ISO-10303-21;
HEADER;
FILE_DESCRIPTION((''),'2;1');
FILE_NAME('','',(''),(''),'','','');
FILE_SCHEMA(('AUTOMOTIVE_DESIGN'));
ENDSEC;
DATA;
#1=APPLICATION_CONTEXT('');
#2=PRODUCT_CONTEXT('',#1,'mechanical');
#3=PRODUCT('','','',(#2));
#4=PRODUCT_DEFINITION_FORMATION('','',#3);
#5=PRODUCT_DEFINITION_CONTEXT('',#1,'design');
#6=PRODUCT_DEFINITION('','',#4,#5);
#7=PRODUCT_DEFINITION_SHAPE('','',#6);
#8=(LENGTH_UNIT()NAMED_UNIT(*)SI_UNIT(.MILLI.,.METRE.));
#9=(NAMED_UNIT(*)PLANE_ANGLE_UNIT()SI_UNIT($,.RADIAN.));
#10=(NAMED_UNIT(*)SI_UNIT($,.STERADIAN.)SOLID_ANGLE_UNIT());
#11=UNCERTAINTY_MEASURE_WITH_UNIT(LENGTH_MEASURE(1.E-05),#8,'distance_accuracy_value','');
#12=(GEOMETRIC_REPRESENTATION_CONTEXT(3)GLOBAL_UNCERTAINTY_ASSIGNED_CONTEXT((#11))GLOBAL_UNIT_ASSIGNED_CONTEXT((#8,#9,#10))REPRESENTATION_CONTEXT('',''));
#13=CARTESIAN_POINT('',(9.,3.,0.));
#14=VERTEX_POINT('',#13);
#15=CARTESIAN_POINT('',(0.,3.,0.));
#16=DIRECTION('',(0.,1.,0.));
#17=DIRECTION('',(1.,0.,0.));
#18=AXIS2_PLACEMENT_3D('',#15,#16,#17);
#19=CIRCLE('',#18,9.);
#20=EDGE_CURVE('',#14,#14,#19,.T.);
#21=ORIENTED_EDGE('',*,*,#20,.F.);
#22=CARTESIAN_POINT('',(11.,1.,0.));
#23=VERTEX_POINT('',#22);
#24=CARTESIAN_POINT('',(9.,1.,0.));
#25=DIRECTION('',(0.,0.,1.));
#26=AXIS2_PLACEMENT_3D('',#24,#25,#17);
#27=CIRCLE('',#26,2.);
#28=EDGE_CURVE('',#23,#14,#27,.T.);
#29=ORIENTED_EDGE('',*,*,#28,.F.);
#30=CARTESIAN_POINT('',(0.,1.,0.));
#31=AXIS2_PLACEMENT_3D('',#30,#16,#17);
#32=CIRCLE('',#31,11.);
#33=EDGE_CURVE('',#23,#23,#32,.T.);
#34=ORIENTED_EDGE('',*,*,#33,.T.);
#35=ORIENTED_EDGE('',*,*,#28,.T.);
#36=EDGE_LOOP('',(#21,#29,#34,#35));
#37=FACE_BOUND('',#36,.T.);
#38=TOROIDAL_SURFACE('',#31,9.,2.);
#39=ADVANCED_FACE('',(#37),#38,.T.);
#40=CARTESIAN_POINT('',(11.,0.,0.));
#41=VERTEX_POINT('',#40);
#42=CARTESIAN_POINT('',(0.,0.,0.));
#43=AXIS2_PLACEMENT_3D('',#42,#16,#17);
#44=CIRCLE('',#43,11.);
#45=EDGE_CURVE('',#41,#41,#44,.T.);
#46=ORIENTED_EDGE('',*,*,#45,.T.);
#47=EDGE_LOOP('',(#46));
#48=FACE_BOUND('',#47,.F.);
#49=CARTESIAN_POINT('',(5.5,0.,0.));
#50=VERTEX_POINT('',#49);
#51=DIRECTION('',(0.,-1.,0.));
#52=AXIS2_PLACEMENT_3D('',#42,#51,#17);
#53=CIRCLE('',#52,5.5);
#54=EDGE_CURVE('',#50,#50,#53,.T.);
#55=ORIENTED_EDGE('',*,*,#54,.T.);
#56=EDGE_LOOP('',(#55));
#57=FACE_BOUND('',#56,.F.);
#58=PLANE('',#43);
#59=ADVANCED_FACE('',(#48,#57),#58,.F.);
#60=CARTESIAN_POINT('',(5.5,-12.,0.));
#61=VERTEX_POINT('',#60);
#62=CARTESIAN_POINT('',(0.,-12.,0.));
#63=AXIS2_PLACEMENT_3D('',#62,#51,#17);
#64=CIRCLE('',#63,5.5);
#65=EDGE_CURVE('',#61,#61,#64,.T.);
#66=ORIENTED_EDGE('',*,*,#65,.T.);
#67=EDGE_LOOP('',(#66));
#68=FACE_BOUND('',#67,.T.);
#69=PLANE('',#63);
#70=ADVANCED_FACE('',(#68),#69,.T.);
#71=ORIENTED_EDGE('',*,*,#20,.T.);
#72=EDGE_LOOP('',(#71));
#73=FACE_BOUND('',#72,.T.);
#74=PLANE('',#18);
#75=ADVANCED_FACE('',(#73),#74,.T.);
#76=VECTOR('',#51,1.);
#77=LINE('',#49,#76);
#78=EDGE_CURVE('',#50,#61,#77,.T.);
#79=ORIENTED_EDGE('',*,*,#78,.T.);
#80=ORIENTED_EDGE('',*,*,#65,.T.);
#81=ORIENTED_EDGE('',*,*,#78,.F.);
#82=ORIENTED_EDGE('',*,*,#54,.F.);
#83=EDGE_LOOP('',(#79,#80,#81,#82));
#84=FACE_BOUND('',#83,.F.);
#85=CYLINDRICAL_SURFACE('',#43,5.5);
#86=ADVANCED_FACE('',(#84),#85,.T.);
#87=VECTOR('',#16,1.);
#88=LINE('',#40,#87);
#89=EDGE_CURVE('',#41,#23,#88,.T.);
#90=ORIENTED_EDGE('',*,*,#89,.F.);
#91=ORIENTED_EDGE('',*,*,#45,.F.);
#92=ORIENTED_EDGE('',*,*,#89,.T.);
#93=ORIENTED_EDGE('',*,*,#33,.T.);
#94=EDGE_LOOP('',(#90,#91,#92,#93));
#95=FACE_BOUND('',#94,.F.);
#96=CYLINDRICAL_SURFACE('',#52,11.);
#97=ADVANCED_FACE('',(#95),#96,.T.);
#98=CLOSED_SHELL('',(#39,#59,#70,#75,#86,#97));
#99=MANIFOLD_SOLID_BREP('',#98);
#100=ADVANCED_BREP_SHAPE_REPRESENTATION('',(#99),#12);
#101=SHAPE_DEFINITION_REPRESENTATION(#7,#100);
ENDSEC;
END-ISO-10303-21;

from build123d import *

# Parameters (mm, degrees)
SKETCH1_R           = 11
BOSS_EXTRUDE1_DEPTH = 3
SKETCH2_R           = 5.5
BOSS_EXTRUDE2_DEPTH = 12
FILLET1_R           = 2


with BuildPart() as part:
    # Sketch1 → Boss-Extrude1 (new body)
    with BuildSketch(Plane(origin=(0, 0, 0), x_dir=(1, 0, 0), z_dir=(0, 1, 0))):
        Circle(SKETCH1_R)
    extrude(amount=BOSS_EXTRUDE1_DEPTH)

    # Sketch2 → Boss-Extrude2 (add)
    with BuildSketch(Plane.XZ):
        Circle(SKETCH2_R)
    extrude(amount=BOSS_EXTRUDE2_DEPTH)

    # Fillet1
    fillet1_edges = [part.edges().sort_by_distance(p)[0] for p in [
        (-11, 3, 0),
    ]]
    fillet(fillet1_edges, radius=FILLET1_R)


solid = part.part
